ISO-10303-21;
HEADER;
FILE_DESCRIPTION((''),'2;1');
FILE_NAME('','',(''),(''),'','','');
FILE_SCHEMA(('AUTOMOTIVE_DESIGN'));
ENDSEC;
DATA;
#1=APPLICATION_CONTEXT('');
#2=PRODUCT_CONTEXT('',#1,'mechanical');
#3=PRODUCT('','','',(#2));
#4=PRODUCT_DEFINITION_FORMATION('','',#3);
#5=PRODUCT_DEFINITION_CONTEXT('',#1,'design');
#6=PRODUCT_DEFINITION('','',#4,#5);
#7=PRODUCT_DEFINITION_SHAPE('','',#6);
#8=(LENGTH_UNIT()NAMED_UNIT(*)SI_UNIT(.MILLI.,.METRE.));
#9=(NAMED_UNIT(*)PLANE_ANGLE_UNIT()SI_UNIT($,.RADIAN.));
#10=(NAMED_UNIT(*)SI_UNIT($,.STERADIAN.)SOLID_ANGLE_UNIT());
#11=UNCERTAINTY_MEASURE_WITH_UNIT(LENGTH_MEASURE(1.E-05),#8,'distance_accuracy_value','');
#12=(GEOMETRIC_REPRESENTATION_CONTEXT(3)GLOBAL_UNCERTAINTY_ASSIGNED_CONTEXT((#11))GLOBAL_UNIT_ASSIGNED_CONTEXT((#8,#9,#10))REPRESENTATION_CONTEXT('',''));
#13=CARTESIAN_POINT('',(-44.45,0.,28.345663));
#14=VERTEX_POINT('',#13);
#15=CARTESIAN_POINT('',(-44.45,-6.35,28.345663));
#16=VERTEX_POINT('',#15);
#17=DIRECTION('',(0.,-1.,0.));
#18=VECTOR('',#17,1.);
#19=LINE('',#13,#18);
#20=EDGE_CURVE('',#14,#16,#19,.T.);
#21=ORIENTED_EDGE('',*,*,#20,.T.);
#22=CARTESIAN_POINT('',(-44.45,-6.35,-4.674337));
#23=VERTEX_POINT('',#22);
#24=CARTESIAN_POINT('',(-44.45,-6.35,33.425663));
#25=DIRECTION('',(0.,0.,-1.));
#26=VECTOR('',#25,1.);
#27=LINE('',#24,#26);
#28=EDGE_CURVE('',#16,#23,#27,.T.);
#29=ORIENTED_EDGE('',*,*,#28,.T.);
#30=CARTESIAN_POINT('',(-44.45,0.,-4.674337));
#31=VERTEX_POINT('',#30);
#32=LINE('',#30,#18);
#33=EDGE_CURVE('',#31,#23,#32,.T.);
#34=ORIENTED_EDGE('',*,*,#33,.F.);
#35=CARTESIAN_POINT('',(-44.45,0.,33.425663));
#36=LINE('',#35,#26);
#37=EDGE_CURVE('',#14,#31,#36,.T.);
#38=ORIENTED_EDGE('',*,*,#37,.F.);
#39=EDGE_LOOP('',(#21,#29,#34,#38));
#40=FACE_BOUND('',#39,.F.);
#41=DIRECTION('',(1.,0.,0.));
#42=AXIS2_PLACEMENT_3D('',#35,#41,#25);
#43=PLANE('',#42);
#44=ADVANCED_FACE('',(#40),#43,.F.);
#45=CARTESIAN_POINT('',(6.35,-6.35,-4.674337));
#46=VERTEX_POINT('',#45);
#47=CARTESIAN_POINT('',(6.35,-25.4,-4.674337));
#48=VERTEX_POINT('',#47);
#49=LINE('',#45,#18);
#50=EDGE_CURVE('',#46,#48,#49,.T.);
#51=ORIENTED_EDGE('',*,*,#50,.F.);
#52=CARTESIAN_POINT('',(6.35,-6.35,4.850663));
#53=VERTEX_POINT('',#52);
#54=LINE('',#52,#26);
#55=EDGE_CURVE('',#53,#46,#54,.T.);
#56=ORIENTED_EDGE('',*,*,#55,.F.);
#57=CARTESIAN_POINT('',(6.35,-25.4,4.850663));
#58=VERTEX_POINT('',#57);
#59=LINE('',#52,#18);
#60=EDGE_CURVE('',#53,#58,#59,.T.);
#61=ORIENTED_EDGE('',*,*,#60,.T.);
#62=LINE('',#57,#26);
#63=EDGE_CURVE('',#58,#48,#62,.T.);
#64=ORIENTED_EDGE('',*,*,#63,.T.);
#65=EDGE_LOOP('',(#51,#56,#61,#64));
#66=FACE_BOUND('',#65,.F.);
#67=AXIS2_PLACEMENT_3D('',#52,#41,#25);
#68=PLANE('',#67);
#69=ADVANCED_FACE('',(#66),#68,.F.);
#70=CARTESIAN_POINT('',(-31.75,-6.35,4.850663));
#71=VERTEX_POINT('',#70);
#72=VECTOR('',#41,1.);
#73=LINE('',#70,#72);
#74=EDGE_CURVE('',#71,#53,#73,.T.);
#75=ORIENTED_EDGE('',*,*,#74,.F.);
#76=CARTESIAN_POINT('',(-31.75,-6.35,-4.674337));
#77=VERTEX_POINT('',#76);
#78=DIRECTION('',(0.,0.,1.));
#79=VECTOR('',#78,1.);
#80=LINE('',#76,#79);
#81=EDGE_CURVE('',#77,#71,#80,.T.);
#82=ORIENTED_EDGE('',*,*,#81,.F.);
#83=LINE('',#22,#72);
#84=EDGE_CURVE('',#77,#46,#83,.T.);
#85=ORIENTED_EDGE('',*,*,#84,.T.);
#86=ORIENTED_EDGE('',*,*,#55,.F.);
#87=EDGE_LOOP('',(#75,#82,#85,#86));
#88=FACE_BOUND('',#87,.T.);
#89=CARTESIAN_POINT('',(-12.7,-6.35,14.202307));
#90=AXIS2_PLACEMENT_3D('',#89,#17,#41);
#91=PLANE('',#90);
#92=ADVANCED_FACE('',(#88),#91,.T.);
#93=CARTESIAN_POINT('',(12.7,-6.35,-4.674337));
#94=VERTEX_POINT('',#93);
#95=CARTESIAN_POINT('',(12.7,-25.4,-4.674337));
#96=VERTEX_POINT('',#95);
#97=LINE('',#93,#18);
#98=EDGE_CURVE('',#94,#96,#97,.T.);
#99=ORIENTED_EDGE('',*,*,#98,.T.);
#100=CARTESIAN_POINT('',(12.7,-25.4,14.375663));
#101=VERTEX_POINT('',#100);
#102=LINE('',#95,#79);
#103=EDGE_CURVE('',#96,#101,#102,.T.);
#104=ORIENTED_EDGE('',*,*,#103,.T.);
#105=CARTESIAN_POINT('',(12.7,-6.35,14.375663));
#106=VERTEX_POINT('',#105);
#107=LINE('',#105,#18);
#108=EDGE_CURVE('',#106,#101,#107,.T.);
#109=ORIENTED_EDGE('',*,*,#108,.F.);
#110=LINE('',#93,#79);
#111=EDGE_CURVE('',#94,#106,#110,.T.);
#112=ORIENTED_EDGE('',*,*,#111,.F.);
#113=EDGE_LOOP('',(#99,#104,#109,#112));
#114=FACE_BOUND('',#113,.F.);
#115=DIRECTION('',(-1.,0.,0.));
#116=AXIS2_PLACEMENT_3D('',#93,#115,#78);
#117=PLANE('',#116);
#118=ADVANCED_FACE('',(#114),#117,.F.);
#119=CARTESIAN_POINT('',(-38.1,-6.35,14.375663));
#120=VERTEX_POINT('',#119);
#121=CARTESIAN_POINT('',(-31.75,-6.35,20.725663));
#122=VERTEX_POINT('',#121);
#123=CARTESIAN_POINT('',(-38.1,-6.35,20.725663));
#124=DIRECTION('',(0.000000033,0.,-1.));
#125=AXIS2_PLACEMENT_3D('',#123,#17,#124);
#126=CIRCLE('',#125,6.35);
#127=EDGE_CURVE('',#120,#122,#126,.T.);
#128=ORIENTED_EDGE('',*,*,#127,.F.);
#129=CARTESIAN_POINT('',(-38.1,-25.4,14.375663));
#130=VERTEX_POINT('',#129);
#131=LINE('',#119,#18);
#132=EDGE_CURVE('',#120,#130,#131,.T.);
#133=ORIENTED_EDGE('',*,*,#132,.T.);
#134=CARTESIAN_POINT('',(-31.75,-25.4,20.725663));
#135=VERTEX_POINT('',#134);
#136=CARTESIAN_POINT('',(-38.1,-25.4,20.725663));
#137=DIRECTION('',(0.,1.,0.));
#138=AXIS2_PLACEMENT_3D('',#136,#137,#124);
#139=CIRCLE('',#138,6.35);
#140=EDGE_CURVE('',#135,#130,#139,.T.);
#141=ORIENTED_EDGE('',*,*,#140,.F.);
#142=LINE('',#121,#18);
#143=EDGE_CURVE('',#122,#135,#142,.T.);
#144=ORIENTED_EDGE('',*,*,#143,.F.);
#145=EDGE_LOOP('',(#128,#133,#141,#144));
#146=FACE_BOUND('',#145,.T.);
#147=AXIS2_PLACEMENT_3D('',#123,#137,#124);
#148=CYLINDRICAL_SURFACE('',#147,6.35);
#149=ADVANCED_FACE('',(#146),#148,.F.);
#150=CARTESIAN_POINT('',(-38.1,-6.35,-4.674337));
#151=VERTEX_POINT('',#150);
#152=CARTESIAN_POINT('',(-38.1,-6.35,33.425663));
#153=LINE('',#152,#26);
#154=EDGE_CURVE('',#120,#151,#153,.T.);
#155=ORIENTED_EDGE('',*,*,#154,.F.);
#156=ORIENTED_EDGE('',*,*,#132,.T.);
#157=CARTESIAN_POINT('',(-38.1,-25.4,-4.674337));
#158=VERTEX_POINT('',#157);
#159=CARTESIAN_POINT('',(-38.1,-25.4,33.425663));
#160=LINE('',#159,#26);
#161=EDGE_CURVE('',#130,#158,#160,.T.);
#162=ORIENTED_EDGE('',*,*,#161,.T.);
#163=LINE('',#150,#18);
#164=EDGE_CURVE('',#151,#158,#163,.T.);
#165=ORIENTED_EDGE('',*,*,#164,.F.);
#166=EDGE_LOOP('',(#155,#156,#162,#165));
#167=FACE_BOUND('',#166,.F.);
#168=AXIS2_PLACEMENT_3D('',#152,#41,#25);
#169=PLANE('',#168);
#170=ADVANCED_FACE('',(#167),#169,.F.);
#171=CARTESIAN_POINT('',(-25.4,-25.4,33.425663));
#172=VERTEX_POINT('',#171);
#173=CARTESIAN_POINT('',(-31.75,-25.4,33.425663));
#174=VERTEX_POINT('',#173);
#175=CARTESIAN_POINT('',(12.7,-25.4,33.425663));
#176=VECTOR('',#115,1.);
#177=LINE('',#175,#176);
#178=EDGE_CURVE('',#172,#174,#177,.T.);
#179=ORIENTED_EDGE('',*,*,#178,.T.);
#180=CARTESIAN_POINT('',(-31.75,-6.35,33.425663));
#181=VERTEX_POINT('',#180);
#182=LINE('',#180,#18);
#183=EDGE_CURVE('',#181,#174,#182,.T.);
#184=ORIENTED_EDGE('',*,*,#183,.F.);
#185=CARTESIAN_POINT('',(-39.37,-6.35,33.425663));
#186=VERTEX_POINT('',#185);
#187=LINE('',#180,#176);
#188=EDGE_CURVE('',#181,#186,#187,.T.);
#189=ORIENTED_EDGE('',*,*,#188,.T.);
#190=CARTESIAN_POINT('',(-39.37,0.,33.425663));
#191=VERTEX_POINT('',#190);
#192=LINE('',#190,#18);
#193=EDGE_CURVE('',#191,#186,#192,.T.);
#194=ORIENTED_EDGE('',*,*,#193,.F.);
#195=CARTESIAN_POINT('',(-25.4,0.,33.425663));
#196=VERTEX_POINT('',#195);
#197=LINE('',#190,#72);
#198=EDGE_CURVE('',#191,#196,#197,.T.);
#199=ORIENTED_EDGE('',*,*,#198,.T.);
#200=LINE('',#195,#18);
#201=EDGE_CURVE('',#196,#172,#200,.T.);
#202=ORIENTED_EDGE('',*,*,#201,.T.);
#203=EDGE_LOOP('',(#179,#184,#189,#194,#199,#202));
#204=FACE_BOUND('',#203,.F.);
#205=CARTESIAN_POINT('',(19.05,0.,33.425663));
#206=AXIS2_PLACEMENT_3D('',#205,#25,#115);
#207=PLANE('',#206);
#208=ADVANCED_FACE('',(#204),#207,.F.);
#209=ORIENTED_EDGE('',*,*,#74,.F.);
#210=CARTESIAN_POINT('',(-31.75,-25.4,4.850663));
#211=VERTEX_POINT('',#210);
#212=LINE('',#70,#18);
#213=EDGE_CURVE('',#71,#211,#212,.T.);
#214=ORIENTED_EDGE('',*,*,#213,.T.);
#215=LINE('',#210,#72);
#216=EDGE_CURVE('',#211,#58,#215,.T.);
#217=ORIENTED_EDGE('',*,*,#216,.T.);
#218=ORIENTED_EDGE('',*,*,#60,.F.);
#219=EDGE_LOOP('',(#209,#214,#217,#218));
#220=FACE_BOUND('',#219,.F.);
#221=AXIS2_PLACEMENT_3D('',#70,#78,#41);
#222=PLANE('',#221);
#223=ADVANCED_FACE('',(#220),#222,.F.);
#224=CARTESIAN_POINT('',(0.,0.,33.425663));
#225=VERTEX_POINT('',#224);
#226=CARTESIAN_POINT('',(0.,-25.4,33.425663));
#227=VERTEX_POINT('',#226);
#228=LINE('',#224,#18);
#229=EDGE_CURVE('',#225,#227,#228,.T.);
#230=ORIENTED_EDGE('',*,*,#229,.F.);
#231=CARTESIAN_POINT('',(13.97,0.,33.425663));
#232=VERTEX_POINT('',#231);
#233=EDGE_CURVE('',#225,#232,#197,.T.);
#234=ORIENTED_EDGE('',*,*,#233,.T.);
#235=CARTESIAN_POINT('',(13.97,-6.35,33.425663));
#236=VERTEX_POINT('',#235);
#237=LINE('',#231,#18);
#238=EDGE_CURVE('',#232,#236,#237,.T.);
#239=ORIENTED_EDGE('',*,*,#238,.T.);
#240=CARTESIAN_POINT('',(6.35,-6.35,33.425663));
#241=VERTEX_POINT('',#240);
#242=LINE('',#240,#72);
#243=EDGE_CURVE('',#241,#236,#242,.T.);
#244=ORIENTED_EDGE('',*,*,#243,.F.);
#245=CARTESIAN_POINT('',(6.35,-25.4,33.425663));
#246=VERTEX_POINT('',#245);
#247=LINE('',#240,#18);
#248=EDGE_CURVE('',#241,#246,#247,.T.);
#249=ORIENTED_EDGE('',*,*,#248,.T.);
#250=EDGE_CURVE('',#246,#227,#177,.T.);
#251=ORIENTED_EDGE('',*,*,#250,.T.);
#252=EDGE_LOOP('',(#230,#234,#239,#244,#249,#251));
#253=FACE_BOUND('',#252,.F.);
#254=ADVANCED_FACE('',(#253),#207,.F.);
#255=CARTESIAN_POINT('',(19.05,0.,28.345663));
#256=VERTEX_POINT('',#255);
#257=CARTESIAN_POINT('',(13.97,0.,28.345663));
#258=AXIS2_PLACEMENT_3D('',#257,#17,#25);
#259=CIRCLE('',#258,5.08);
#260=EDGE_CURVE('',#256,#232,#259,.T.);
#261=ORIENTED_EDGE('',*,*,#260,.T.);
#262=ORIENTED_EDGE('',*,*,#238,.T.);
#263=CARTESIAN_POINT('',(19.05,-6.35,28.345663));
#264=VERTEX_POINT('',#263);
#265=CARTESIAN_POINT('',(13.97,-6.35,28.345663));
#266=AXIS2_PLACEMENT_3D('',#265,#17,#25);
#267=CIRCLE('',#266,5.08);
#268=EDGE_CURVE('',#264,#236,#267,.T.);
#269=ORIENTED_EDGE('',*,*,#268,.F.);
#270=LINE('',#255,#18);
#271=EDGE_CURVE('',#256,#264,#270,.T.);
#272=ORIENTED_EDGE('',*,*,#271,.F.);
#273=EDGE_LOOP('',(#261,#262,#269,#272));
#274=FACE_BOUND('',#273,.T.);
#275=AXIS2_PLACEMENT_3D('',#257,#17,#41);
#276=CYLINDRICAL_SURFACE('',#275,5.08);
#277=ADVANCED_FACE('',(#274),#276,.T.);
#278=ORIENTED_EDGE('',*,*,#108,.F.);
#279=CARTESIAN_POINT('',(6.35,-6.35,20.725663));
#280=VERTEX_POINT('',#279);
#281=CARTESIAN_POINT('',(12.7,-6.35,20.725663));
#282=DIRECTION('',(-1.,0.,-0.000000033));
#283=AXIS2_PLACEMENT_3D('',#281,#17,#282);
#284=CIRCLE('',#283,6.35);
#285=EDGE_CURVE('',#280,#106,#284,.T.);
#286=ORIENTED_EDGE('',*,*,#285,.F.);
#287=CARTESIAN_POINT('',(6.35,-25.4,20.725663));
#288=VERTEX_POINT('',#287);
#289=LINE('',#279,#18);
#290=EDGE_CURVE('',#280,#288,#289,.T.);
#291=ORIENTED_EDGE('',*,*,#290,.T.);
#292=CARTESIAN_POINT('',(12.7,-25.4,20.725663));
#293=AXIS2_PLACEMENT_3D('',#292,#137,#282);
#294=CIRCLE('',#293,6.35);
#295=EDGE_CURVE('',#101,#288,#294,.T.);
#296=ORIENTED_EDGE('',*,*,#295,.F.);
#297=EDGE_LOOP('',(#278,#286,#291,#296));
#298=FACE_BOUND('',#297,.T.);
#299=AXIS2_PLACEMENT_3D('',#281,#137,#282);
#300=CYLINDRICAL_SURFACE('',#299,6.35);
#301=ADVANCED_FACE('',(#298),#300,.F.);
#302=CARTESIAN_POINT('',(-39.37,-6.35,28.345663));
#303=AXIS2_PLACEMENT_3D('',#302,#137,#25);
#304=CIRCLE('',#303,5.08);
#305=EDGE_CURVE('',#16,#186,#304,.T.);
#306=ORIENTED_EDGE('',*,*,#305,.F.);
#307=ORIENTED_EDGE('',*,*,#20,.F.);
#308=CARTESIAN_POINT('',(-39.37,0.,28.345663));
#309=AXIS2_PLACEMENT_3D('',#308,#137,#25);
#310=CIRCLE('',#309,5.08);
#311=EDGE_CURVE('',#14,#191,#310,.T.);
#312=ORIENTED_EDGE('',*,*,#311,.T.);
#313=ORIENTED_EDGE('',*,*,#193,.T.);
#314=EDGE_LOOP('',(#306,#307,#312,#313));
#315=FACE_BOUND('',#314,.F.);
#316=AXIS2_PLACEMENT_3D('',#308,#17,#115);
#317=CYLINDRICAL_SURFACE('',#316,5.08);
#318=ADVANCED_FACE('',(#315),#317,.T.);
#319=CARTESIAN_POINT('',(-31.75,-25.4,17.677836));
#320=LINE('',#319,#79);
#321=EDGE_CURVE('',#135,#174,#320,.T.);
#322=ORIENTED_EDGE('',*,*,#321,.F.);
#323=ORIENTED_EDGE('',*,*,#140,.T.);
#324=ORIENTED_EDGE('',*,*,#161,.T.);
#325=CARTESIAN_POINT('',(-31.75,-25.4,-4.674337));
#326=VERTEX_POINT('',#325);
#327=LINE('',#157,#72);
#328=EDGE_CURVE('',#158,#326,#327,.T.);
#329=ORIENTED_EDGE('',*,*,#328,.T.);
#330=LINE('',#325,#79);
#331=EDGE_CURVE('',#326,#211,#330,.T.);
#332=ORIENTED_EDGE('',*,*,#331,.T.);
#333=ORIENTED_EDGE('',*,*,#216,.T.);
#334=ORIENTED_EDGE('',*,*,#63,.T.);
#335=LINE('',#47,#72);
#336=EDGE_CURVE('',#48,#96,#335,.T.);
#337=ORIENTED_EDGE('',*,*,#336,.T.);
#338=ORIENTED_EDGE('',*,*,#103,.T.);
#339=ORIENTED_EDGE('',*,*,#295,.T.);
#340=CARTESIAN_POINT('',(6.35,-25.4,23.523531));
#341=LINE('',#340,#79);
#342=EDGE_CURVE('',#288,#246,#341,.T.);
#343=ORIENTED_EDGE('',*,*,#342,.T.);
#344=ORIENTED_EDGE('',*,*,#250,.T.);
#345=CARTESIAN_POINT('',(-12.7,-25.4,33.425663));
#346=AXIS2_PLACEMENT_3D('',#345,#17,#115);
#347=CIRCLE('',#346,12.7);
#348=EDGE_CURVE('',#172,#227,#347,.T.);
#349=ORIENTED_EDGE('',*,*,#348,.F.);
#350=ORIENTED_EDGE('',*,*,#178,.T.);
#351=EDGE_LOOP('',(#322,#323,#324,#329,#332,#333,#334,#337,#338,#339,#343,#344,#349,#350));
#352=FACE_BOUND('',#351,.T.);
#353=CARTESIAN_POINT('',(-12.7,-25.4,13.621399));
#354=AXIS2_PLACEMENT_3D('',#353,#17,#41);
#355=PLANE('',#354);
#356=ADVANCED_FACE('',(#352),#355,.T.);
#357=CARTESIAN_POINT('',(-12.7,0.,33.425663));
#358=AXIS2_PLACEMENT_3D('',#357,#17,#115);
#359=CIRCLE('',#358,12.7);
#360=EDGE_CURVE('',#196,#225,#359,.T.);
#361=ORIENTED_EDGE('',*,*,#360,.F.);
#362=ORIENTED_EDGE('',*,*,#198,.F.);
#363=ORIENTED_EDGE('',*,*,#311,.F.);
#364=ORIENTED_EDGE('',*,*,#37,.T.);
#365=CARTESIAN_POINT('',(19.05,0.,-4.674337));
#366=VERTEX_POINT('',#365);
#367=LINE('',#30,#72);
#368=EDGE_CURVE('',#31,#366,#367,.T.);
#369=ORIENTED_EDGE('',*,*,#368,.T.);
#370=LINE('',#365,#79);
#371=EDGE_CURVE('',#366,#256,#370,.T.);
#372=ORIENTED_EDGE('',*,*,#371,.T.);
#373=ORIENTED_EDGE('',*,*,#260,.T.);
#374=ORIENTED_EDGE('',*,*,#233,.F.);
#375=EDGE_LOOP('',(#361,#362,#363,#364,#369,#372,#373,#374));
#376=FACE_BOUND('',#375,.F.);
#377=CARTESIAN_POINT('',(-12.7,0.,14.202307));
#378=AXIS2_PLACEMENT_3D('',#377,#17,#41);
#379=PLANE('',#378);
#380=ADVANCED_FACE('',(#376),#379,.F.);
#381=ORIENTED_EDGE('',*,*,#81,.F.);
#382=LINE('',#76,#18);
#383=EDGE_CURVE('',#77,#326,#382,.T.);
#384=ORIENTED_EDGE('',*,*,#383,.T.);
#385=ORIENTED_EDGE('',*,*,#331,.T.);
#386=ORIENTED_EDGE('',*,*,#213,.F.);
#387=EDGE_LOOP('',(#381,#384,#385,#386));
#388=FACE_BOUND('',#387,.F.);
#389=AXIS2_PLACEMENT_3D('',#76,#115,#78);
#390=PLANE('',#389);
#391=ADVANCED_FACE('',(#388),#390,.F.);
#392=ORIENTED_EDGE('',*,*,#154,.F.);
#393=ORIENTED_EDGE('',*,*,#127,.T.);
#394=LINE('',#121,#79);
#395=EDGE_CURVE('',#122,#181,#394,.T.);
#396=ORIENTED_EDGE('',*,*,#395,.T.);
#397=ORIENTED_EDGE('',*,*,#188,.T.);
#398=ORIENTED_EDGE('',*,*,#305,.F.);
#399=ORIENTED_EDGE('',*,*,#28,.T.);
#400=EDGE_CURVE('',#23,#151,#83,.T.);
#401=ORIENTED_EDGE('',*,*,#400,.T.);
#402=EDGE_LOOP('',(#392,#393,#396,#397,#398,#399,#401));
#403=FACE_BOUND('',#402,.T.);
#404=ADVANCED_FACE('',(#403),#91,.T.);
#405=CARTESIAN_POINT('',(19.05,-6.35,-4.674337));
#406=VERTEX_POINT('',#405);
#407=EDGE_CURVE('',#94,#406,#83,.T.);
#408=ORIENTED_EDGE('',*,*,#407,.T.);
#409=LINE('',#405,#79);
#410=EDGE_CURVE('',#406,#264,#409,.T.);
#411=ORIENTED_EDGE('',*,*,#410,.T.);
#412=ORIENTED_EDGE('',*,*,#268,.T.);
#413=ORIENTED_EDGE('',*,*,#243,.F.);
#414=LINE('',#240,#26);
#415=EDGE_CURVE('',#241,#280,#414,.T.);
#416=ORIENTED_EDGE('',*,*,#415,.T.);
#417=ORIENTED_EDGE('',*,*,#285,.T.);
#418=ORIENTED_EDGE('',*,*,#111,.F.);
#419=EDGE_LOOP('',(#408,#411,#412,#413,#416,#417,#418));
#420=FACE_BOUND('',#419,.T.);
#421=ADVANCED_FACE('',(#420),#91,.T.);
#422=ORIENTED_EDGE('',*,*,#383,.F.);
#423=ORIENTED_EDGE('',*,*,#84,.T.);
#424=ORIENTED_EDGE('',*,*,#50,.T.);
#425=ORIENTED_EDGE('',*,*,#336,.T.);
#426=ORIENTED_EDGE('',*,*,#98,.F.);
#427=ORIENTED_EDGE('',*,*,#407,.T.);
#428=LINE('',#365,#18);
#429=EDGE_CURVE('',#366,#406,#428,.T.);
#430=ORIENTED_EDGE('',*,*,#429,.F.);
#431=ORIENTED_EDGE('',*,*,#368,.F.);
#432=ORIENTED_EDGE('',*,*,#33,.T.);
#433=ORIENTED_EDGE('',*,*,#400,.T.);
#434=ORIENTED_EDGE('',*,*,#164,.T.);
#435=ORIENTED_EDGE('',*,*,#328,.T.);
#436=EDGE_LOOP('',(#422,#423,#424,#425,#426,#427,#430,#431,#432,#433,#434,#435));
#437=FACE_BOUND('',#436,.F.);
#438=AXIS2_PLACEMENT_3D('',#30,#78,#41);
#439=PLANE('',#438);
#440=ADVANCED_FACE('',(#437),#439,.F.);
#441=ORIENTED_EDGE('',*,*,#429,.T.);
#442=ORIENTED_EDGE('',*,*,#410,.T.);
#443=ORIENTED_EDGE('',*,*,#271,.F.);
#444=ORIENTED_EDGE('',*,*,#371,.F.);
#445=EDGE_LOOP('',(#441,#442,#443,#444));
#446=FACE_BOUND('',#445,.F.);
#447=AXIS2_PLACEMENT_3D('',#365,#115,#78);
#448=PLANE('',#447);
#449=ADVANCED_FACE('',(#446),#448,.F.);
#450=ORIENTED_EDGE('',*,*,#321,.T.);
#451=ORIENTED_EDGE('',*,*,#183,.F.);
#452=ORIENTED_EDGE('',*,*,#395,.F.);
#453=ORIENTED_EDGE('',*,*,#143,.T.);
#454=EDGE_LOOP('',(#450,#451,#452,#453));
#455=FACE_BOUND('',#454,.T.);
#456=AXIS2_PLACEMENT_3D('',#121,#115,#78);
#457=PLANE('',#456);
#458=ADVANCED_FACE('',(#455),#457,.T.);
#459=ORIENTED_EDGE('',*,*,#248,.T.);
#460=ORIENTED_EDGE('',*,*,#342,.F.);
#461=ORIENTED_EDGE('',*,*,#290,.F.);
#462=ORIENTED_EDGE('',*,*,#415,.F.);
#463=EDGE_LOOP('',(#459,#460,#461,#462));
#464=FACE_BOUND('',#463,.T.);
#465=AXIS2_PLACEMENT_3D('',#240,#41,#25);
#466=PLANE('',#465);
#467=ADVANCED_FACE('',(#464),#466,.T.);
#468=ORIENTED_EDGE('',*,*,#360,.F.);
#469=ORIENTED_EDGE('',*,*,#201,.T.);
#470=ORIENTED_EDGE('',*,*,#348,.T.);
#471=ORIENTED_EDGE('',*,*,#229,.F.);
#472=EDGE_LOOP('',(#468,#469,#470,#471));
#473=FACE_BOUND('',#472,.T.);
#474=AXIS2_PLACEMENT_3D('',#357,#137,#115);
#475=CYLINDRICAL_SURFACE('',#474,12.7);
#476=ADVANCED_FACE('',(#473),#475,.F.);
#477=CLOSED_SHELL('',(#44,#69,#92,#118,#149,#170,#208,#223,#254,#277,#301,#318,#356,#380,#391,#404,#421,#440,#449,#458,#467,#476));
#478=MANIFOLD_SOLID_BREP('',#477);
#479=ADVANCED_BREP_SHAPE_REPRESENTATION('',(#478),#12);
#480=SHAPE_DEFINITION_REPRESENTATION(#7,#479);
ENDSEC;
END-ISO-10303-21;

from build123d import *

# Parameters (mm, degrees)
F1_DEPTH = 6.35
F2_R     = 5.08
F4_DEPTH = 19.05
F5_DEPTH = 25.4
F6_DEPTH = 25.4
F7_DEPTH = 72.5614
F8_DEPTH = 61.46767


with BuildPart() as f1:
    # F0 (on Front) → F1 (new body)
    with BuildSketch(Plane.XZ):
        with BuildLine():
            Line((-25.4, 33.425663), (-44.45, 33.425663))
            Line((-44.45, 33.425663), (-44.45, -4.674337))
            Line((-44.45, -4.674337), (19.05, -4.674337))
            Line((19.05, -4.674337), (19.05, 33.425663))
            Line((19.05, 33.425663), (0, 33.425663))
            ThreePointArc((0, 33.425663), (-12.7, 20.725663), (-25.4, 33.425663))
        make_face()
        with BuildLine():
            Line((0, 33.425663), (-25.4, 33.425663))
            ThreePointArc((-25.4, 33.425663), (-12.7, 20.725663), (0, 33.425663))
        make_face()
    extrude(amount=F1_DEPTH)

    # F2
    f2_edges = [f1.edges().sort_by_distance(p)[0] for p in [
        (-44.45, -3.175, 33.425663),
        (19.05, -3.175, 33.425663),
    ]]
    fillet(f2_edges, radius=F2_R)

    # F3 (on face) → F4 (join)
    with BuildSketch(Plane.XZ.offset(6.35)):
        with BuildLine():
            Line((-38.1, 14.375663), (-38.1, -4.674337))
            Line((-38.1, -4.674337), (-31.75, -4.674337))
            Line((-31.75, -4.674337), (-31.75, 4.850663))
            Line((-31.75, 4.850663), (6.35, 4.850663))
            Line((6.35, 4.850663), (6.35, -4.674337))
            Line((6.35, -4.674337), (12.7, -4.674337))
            Line((12.7, -4.674337), (12.7, 14.375663))
            ThreePointArc((12.7, 14.375663), (8.209872, 16.235535), (6.35, 20.725663))
            Line((6.35, 20.725663), (6.35, 33.425663))
            Line((6.35, 33.425663), (-31.75, 33.425663))
            Line((-31.75, 33.425663), (-31.75, 20.725663))
            ThreePointArc((-31.75, 20.725663), (-33.609872, 16.235535), (-38.1, 14.375663))
        make_face()
        with BuildLine():
            Line((-38.1, 33.425663), (-38.1, 14.375663))
            ThreePointArc((-38.1, 14.375663), (-33.609872, 16.235535), (-31.75, 20.725663))
            Line((-31.75, 20.725663), (-31.75, 33.425663))
            Line((-31.75, 33.425663), (-38.1, 33.425663))
        make_face()
        with BuildLine():
            Line((12.7, 33.425663), (6.35, 33.425663))
            Line((6.35, 33.425663), (6.35, 20.725663))
            ThreePointArc((6.35, 20.725663), (8.209872, 16.235535), (12.7, 14.375663))
            Line((12.7, 14.375663), (12.7, 33.425663))
        make_face()
    extrude(amount=F4_DEPTH)

    # F0 (on Front) → F5 (cut)
    with BuildSketch(Plane.XZ):
        with BuildLine():
            Line((0, 33.425663), (-25.4, 33.425663))
            ThreePointArc((-25.4, 33.425663), (-12.7, 20.725663), (0, 33.425663))
        make_face()
    extrude(amount=-F5_DEPTH, mode=Mode.SUBTRACT)

    # F0 (on Front) → F6 (cut)
    with BuildSketch(Plane.XZ):
        with BuildLine():
            Line((0, 33.425663), (-25.4, 33.425663))
            ThreePointArc((-25.4, 33.425663), (-12.7, 20.725663), (0, 33.425663))
        make_face()
    extrude(amount=F6_DEPTH, mode=Mode.SUBTRACT)

    # F3 (on face) + F4_face (on face) → F7 (cut)
    with BuildSketch(Plane.XZ.offset(6.35)):
        with BuildLine():
            Line((-38.1, 33.425663), (-38.1, 14.375663))
            ThreePointArc((-38.1, 14.375663), (-33.609872, 16.235535), (-31.75, 20.725663))
            Line((-31.75, 20.725663), (-31.75, 33.425663))
            Line((-31.75, 33.425663), (-38.1, 33.425663))
        make_face()
    with BuildSketch(Plane(origin=(-12.7, -25.4, 15.682621), x_dir=(1, 0, 0), z_dir=(0, -1, 0))):
        with BuildLine():
            Line((-25.4, 17.743042), (-25.4, -20.356958))
            Line((-25.4, -20.356958), (-19.05, -20.356958))
            Line((-19.05, -20.356958), (-19.05, -10.831958))
            Line((-19.05, -10.831958), (19.05, -10.831958))
            Line((19.05, -10.831958), (19.05, -20.356958))
            Line((19.05, -20.356958), (25.4, -20.356958))
            Line((25.4, -20.356958), (25.4, 17.743042))
            Line((25.4, 17.743042), (12.7, 17.743042))
            ThreePointArc((12.7, 17.743042), (0, 5.043042), (-12.7, 17.743042))
            Line((-12.7, 17.743042), (-25.4, 17.743042))
        make_face()
    extrude(amount=F7_DEPTH, mode=Mode.SUBTRACT)

    # F3 (on face) → F8 (cut)
    with BuildSketch(Plane.XZ.offset(6.35)):
        with BuildLine():
            Line((12.7, 33.425663), (6.35, 33.425663))
            Line((6.35, 33.425663), (6.35, 20.725663))
            ThreePointArc((6.35, 20.725663), (8.209872, 16.235535), (12.7, 14.375663))
            Line((12.7, 14.375663), (12.7, 33.425663))
        make_face()
    extrude(amount=F8_DEPTH, mode=Mode.SUBTRACT)


solid = f1.part
